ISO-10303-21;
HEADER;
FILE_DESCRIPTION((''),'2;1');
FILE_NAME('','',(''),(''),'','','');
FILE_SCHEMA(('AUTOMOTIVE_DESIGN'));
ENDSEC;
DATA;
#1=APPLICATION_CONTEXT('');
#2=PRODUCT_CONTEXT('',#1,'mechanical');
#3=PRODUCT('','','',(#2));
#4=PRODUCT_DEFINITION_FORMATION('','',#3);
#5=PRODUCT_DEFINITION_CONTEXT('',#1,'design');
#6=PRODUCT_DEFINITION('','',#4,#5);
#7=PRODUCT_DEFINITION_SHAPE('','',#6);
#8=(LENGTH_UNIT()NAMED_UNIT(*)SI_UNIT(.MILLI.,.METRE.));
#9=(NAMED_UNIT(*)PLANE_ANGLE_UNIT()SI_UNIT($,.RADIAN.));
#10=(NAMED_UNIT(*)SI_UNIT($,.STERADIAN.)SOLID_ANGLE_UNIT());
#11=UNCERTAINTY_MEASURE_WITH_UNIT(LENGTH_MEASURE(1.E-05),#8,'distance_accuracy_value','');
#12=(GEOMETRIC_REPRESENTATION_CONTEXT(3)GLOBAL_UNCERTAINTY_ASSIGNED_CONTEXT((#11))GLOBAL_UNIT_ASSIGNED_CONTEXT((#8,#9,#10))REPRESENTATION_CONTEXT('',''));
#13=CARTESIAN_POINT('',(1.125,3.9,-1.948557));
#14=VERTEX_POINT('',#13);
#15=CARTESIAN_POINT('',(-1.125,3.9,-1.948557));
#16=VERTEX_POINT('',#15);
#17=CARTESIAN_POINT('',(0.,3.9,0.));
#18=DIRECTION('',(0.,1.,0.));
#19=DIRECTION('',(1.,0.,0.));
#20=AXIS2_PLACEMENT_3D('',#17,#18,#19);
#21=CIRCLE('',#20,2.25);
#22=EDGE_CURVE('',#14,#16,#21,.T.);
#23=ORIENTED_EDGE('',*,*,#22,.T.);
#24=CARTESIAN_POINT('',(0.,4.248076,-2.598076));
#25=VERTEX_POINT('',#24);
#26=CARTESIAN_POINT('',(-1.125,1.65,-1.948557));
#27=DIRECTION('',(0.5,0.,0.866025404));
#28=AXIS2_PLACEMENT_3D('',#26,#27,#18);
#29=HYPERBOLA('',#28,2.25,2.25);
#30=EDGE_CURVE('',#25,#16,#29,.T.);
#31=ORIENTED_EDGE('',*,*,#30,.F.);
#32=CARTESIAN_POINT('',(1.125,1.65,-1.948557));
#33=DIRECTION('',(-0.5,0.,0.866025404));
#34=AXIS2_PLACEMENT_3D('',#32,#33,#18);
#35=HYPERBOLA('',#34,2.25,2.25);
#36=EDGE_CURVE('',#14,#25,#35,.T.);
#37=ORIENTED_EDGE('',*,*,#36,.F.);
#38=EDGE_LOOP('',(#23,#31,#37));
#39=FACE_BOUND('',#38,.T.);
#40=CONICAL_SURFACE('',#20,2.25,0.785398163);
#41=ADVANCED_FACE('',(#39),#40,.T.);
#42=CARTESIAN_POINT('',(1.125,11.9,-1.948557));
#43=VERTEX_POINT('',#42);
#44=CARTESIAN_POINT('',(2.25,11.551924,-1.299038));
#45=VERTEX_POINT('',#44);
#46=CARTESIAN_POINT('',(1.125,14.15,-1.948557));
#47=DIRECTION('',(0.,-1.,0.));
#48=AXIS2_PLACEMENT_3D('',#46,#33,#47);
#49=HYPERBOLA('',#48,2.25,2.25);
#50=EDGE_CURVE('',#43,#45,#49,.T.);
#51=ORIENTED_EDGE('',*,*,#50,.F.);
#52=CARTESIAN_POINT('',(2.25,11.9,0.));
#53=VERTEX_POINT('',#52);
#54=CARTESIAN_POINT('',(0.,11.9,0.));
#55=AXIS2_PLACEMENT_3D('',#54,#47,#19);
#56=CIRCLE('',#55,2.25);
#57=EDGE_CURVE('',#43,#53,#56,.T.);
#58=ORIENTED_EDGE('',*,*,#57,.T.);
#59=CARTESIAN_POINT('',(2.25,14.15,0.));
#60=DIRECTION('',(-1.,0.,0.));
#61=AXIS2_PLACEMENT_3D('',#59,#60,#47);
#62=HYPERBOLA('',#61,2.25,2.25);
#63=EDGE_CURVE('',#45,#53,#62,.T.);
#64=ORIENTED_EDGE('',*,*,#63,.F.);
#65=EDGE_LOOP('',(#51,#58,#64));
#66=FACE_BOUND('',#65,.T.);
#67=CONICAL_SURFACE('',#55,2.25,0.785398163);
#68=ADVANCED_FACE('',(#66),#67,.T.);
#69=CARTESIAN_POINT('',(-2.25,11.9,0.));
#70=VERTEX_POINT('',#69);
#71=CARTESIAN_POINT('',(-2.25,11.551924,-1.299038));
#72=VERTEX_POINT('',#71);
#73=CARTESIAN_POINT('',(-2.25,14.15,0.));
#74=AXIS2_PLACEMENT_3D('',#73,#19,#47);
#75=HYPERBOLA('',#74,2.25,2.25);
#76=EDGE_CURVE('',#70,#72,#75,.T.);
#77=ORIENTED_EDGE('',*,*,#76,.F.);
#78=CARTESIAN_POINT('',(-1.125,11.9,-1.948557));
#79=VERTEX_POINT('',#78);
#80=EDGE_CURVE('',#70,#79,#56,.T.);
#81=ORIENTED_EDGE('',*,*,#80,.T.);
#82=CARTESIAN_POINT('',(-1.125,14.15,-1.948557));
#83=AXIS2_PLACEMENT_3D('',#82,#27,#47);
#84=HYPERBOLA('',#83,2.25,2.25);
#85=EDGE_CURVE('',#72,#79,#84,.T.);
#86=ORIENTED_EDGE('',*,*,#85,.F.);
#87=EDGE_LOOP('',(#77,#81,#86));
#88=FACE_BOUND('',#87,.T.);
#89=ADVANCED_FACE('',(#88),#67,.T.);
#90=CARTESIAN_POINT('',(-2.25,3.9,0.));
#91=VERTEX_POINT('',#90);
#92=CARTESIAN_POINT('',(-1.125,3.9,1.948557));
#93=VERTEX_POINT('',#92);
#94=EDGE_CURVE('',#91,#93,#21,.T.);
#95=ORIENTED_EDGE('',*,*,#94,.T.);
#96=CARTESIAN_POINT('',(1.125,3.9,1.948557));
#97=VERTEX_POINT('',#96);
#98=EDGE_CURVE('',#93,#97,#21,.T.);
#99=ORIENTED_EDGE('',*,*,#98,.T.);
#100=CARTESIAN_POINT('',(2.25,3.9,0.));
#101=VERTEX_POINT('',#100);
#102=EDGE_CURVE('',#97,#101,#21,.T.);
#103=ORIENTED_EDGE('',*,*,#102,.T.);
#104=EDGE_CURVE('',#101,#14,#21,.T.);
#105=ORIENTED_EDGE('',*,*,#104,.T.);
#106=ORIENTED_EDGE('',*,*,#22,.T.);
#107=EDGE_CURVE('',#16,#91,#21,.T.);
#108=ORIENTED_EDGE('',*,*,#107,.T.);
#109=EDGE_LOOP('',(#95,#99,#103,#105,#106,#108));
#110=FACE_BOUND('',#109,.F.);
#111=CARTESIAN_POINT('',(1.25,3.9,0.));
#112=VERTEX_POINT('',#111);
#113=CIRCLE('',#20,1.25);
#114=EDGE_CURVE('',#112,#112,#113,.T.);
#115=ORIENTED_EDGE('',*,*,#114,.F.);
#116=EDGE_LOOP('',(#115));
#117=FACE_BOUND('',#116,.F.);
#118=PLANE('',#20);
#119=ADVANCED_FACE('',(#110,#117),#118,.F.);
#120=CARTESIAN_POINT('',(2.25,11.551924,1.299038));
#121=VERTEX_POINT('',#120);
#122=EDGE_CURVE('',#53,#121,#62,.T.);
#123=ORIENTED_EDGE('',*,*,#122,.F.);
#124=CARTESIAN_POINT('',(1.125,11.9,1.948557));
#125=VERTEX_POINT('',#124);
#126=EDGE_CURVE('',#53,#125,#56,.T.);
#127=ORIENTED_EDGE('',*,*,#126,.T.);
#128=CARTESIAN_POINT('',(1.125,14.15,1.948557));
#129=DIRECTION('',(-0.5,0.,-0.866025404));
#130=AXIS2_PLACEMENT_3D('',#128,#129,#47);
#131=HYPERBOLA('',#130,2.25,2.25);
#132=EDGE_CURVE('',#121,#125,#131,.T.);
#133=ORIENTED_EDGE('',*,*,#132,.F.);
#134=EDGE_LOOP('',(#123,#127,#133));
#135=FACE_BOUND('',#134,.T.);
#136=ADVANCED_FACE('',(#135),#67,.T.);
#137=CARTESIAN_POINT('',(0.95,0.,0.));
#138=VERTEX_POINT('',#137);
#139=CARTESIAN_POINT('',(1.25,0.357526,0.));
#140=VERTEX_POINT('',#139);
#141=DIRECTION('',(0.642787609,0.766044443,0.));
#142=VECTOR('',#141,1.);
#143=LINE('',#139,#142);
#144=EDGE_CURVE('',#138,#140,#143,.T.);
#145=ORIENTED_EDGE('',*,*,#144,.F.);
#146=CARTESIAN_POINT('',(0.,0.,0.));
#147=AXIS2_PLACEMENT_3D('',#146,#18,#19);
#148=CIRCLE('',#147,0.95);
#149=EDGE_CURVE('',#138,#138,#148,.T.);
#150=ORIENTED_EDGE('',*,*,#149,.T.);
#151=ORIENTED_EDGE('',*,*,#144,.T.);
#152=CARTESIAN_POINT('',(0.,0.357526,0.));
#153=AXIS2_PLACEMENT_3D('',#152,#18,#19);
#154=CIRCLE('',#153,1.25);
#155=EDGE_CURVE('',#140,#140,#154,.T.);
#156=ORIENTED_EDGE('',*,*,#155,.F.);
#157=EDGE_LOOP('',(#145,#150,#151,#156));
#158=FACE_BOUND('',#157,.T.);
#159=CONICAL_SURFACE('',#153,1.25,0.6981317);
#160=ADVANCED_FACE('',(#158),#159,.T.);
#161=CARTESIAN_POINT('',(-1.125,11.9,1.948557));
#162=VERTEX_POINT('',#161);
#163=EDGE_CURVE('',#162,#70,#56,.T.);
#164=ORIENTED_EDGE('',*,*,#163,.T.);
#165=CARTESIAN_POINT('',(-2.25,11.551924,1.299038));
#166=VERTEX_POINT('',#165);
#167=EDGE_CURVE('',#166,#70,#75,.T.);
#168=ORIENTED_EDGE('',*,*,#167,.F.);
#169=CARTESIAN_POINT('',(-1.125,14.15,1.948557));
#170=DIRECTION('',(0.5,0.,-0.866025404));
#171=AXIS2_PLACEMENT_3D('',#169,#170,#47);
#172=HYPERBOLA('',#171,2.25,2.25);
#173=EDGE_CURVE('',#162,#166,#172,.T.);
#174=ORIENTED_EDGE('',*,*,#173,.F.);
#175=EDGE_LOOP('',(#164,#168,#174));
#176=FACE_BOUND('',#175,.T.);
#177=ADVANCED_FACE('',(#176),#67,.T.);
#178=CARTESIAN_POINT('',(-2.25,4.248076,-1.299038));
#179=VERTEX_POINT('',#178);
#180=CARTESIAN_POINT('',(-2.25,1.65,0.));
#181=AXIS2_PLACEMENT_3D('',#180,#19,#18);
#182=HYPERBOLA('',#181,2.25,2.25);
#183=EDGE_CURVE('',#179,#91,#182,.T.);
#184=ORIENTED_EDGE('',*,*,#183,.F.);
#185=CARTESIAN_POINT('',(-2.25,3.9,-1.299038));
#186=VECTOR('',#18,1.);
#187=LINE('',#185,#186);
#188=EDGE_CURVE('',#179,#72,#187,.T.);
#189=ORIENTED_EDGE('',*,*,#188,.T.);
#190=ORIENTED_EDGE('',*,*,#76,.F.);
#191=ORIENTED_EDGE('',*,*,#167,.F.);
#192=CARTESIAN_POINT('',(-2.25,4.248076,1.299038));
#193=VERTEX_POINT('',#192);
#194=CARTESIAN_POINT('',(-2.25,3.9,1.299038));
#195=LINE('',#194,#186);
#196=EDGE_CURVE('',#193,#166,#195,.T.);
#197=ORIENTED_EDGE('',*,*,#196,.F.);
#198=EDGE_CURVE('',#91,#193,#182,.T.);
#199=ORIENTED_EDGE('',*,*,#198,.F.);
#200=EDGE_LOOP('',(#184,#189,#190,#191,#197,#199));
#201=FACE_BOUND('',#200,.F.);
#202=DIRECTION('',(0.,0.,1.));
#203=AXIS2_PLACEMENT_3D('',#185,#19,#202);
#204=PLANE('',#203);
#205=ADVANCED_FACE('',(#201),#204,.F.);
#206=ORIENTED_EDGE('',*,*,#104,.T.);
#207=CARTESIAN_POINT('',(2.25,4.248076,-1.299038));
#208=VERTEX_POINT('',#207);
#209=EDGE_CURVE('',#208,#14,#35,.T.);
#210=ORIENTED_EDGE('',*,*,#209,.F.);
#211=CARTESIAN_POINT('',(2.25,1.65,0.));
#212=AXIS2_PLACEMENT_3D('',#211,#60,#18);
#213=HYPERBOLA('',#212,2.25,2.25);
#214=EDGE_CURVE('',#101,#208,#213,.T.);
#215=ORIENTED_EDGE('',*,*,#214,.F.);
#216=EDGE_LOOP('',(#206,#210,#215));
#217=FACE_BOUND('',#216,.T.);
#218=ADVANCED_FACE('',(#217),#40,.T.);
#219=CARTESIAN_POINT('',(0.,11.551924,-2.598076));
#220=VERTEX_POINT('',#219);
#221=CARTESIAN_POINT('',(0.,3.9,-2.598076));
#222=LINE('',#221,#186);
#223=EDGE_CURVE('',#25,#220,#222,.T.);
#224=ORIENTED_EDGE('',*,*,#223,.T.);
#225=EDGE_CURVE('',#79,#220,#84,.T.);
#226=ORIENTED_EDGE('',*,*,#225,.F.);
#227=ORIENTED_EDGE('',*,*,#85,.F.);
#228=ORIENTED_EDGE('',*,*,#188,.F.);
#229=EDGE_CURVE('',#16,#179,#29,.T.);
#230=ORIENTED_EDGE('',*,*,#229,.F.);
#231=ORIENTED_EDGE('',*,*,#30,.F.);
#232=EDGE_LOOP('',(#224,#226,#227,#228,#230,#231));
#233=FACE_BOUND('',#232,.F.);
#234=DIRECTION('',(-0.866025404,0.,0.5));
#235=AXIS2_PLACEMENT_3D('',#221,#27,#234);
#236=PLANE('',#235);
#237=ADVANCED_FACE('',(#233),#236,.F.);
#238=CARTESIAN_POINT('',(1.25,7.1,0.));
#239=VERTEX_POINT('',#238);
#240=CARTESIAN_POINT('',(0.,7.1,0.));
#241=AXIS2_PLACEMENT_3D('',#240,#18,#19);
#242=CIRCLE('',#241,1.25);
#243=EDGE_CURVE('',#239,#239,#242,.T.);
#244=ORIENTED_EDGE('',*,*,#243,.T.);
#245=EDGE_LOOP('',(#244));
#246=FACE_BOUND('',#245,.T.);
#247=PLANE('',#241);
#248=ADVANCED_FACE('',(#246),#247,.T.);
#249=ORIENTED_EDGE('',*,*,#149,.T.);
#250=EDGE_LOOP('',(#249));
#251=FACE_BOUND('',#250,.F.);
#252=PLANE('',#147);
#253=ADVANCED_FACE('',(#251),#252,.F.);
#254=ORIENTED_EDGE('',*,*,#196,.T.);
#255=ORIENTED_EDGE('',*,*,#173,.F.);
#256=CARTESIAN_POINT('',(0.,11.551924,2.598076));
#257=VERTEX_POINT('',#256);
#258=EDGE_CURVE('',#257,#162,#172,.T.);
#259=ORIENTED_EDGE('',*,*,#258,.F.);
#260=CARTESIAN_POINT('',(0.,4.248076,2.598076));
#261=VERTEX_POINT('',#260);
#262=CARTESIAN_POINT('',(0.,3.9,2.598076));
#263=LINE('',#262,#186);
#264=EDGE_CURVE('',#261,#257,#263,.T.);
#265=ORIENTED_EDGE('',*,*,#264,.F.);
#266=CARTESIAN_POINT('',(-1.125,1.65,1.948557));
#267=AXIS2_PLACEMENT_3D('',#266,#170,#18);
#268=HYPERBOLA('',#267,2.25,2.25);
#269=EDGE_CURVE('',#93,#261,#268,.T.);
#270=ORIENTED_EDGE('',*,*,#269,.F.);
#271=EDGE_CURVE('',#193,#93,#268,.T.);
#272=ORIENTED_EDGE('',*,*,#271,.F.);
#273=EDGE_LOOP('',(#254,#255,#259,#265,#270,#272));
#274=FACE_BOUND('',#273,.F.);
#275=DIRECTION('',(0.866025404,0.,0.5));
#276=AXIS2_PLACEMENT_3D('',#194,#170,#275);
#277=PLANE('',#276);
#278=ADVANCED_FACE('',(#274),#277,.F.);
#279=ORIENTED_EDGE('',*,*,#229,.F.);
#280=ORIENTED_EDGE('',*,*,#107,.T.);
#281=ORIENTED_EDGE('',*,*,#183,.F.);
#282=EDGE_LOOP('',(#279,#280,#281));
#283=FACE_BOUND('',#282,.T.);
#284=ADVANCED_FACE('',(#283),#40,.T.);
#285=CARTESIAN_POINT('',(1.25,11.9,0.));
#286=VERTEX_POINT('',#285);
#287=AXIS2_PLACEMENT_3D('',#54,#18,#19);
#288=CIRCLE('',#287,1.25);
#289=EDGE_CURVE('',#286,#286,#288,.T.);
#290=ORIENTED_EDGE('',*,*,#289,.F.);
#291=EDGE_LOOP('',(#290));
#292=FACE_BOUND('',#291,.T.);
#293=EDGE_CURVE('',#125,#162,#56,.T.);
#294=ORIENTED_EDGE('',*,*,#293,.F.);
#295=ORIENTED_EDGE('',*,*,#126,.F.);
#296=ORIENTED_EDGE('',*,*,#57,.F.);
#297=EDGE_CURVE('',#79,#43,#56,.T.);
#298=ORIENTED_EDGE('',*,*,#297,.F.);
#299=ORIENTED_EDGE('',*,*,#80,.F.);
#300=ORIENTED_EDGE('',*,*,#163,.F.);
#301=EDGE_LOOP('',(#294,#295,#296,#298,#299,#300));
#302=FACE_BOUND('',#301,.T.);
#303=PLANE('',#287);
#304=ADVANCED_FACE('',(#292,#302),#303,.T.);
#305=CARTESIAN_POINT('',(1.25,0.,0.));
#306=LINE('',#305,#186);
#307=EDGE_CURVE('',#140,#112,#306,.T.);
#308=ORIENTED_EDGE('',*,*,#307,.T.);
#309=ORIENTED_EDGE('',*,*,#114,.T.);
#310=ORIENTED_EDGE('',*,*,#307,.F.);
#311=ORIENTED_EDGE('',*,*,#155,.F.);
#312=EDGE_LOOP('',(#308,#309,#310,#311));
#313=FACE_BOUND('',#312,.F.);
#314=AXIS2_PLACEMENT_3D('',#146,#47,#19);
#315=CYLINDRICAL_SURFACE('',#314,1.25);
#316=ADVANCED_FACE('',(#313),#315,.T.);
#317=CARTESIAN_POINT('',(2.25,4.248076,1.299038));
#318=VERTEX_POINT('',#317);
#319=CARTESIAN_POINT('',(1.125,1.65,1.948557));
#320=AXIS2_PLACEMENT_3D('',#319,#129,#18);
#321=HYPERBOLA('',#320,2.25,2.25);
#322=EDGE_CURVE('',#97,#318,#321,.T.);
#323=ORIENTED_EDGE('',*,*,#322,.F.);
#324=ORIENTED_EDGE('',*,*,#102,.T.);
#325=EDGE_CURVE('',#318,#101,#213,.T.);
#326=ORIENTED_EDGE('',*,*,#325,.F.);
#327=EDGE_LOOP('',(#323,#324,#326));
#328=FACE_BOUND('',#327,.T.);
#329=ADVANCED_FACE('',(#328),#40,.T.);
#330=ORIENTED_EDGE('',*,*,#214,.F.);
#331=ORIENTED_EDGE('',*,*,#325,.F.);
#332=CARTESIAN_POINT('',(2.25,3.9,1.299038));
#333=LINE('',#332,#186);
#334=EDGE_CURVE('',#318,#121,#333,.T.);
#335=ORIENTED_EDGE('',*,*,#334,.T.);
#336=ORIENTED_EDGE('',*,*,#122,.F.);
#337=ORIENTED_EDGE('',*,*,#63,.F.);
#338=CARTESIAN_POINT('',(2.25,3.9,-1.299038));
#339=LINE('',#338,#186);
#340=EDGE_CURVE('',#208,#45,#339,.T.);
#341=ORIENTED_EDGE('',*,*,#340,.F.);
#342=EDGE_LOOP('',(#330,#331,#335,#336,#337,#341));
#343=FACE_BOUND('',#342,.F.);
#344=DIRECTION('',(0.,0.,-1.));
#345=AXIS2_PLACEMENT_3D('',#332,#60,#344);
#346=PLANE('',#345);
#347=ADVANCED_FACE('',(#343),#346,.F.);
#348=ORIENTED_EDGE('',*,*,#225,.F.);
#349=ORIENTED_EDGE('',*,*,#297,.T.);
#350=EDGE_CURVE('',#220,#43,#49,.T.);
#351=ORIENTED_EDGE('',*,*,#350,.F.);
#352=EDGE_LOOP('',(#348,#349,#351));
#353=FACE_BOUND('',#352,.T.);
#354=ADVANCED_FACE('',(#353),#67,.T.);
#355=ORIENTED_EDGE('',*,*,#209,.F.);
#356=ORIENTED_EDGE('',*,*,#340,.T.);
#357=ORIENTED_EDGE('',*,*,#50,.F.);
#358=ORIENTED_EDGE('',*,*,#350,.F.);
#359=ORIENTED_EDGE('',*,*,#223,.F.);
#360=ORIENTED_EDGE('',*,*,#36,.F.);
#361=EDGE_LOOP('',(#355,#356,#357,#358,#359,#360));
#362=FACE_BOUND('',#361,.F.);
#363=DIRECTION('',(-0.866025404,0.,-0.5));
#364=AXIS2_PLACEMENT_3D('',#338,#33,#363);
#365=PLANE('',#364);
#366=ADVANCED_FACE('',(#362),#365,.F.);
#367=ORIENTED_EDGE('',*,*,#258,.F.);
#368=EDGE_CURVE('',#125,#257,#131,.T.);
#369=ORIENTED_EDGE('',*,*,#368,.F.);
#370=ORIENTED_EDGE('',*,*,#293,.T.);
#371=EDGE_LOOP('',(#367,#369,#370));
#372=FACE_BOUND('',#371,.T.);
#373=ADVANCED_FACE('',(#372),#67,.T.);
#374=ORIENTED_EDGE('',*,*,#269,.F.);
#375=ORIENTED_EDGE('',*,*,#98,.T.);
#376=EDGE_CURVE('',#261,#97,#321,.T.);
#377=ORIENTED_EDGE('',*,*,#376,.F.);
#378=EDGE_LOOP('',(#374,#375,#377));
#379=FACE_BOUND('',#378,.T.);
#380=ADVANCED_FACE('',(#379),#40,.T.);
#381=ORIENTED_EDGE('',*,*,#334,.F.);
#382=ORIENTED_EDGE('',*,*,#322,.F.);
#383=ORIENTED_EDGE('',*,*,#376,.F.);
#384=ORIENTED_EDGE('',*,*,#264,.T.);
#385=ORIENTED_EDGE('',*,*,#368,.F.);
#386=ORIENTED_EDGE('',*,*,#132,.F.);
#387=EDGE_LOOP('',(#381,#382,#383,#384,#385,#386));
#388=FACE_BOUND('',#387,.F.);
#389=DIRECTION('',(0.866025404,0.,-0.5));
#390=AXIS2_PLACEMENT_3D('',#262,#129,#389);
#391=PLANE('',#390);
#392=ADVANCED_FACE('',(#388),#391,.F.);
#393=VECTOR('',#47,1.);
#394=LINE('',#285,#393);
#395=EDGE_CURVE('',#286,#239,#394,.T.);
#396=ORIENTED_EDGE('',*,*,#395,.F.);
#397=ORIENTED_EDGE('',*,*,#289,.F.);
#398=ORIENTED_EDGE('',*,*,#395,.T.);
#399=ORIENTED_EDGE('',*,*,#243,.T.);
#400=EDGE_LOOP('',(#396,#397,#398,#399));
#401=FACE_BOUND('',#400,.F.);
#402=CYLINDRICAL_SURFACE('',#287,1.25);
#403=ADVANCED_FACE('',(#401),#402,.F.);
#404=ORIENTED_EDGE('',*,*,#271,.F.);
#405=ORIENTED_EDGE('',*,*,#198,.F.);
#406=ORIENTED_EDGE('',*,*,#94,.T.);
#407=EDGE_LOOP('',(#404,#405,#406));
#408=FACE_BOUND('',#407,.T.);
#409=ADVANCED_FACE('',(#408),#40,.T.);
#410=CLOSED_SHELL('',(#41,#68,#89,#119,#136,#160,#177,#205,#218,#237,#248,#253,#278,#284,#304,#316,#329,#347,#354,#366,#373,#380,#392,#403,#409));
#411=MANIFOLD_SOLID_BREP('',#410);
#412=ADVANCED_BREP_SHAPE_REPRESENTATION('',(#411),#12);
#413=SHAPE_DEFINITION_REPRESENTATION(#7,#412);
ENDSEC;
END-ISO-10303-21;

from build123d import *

# Parameters (mm, degrees)
SKETCH1_R           = 1.25
BOSS_EXTRUDE1_DEPTH = 3.9
BOSS_EXTRUDE2_DEPTH = 8
SKETCH3_R           = 1.25
CUT_EXTRUDE2_DEPTH  = 4.8
SKETCH4_OUTSIDE_W   = 35.048
SKETCH4_OUTSIDE_H   = 35.744
SKETCH4_OUTSIDE_R   = 2.25
CUT_EXTRUDE3_DEPTH  = 12.9
CUT_EXTRUDE3_TAPER  = 45
SKETCH5_OUTSIDE_W   = 27.248
SKETCH5_OUTSIDE_H   = 27.944
SKETCH5_OUTSIDE_R   = 2.25
CUT_EXTRUDE6_DEPTH  = 9
CUT_EXTRUDE6_TAPER  = 45
CHAMFER2_SIZE       = 0.3
CHAMFER2_SIZE2      = 0.357526078


with BuildPart() as part:
    # Sketch1 → Boss-Extrude1 (new body)
    with BuildSketch(Plane(origin=(0, 0, 0), x_dir=(1, 0, 0), z_dir=(0, 1, 0))):
        Circle(SKETCH1_R)
    extrude(amount=BOSS_EXTRUDE1_DEPTH)

    # Sketch2 → Boss-Extrude2 (add)
    with BuildSketch(Plane(origin=(0, 3.9, 0), x_dir=(1, 0, 0), z_dir=(0, 1, 0))):
        Polygon((0, 2.598076211), (-2.25, 1.299038106), (-2.25, -1.299038106), (0, -2.598076211), (2.25, -1.299038106), (2.25, 1.299038106), align=None)
    extrude(amount=BOSS_EXTRUDE2_DEPTH)

    # Sketch3 → Cut-Extrude2 (cut)
    with BuildSketch(Plane(origin=(0, 11.9, 0), x_dir=(1, 0, 0), z_dir=(0, 1, 0))):
        Circle(SKETCH3_R)
    extrude(amount=-CUT_EXTRUDE2_DEPTH, mode=Mode.SUBTRACT)

    # Sketch4 outside → Cut-Extrude3 (cut, through all)
    with BuildSketch(Plane(origin=(0, 11.9, 0), x_dir=(1, 0, 0), z_dir=(0, 1, 0))):
        Rectangle(SKETCH4_OUTSIDE_W, SKETCH4_OUTSIDE_H)
        Circle(SKETCH4_OUTSIDE_R, mode=Mode.SUBTRACT)
    extrude(amount=-CUT_EXTRUDE3_DEPTH, taper=CUT_EXTRUDE3_TAPER, mode=Mode.SUBTRACT)

    # Sketch5 outside → Cut-Extrude6 (cut, through all)
    with BuildSketch(Plane.XZ.offset(-3.9)):
        Rectangle(SKETCH5_OUTSIDE_W, SKETCH5_OUTSIDE_H)
        Circle(SKETCH5_OUTSIDE_R, mode=Mode.SUBTRACT)
    extrude(amount=-CUT_EXTRUDE6_DEPTH, taper=CUT_EXTRUDE6_TAPER, mode=Mode.SUBTRACT)

    # Chamfer2
    chamfer2_edges = [part.edges().sort_by_distance(p)[0] for p in [
        (-1.25, 0, 0),
    ]]
    chamfer2_side = [part.faces().sort_by_distance(p)[0] for p in [
        (0, 0, 0),
    ]]
    chamfer(chamfer2_edges, length=CHAMFER2_SIZE, length2=CHAMFER2_SIZE2, reference=chamfer2_side[0])


solid = part.part
